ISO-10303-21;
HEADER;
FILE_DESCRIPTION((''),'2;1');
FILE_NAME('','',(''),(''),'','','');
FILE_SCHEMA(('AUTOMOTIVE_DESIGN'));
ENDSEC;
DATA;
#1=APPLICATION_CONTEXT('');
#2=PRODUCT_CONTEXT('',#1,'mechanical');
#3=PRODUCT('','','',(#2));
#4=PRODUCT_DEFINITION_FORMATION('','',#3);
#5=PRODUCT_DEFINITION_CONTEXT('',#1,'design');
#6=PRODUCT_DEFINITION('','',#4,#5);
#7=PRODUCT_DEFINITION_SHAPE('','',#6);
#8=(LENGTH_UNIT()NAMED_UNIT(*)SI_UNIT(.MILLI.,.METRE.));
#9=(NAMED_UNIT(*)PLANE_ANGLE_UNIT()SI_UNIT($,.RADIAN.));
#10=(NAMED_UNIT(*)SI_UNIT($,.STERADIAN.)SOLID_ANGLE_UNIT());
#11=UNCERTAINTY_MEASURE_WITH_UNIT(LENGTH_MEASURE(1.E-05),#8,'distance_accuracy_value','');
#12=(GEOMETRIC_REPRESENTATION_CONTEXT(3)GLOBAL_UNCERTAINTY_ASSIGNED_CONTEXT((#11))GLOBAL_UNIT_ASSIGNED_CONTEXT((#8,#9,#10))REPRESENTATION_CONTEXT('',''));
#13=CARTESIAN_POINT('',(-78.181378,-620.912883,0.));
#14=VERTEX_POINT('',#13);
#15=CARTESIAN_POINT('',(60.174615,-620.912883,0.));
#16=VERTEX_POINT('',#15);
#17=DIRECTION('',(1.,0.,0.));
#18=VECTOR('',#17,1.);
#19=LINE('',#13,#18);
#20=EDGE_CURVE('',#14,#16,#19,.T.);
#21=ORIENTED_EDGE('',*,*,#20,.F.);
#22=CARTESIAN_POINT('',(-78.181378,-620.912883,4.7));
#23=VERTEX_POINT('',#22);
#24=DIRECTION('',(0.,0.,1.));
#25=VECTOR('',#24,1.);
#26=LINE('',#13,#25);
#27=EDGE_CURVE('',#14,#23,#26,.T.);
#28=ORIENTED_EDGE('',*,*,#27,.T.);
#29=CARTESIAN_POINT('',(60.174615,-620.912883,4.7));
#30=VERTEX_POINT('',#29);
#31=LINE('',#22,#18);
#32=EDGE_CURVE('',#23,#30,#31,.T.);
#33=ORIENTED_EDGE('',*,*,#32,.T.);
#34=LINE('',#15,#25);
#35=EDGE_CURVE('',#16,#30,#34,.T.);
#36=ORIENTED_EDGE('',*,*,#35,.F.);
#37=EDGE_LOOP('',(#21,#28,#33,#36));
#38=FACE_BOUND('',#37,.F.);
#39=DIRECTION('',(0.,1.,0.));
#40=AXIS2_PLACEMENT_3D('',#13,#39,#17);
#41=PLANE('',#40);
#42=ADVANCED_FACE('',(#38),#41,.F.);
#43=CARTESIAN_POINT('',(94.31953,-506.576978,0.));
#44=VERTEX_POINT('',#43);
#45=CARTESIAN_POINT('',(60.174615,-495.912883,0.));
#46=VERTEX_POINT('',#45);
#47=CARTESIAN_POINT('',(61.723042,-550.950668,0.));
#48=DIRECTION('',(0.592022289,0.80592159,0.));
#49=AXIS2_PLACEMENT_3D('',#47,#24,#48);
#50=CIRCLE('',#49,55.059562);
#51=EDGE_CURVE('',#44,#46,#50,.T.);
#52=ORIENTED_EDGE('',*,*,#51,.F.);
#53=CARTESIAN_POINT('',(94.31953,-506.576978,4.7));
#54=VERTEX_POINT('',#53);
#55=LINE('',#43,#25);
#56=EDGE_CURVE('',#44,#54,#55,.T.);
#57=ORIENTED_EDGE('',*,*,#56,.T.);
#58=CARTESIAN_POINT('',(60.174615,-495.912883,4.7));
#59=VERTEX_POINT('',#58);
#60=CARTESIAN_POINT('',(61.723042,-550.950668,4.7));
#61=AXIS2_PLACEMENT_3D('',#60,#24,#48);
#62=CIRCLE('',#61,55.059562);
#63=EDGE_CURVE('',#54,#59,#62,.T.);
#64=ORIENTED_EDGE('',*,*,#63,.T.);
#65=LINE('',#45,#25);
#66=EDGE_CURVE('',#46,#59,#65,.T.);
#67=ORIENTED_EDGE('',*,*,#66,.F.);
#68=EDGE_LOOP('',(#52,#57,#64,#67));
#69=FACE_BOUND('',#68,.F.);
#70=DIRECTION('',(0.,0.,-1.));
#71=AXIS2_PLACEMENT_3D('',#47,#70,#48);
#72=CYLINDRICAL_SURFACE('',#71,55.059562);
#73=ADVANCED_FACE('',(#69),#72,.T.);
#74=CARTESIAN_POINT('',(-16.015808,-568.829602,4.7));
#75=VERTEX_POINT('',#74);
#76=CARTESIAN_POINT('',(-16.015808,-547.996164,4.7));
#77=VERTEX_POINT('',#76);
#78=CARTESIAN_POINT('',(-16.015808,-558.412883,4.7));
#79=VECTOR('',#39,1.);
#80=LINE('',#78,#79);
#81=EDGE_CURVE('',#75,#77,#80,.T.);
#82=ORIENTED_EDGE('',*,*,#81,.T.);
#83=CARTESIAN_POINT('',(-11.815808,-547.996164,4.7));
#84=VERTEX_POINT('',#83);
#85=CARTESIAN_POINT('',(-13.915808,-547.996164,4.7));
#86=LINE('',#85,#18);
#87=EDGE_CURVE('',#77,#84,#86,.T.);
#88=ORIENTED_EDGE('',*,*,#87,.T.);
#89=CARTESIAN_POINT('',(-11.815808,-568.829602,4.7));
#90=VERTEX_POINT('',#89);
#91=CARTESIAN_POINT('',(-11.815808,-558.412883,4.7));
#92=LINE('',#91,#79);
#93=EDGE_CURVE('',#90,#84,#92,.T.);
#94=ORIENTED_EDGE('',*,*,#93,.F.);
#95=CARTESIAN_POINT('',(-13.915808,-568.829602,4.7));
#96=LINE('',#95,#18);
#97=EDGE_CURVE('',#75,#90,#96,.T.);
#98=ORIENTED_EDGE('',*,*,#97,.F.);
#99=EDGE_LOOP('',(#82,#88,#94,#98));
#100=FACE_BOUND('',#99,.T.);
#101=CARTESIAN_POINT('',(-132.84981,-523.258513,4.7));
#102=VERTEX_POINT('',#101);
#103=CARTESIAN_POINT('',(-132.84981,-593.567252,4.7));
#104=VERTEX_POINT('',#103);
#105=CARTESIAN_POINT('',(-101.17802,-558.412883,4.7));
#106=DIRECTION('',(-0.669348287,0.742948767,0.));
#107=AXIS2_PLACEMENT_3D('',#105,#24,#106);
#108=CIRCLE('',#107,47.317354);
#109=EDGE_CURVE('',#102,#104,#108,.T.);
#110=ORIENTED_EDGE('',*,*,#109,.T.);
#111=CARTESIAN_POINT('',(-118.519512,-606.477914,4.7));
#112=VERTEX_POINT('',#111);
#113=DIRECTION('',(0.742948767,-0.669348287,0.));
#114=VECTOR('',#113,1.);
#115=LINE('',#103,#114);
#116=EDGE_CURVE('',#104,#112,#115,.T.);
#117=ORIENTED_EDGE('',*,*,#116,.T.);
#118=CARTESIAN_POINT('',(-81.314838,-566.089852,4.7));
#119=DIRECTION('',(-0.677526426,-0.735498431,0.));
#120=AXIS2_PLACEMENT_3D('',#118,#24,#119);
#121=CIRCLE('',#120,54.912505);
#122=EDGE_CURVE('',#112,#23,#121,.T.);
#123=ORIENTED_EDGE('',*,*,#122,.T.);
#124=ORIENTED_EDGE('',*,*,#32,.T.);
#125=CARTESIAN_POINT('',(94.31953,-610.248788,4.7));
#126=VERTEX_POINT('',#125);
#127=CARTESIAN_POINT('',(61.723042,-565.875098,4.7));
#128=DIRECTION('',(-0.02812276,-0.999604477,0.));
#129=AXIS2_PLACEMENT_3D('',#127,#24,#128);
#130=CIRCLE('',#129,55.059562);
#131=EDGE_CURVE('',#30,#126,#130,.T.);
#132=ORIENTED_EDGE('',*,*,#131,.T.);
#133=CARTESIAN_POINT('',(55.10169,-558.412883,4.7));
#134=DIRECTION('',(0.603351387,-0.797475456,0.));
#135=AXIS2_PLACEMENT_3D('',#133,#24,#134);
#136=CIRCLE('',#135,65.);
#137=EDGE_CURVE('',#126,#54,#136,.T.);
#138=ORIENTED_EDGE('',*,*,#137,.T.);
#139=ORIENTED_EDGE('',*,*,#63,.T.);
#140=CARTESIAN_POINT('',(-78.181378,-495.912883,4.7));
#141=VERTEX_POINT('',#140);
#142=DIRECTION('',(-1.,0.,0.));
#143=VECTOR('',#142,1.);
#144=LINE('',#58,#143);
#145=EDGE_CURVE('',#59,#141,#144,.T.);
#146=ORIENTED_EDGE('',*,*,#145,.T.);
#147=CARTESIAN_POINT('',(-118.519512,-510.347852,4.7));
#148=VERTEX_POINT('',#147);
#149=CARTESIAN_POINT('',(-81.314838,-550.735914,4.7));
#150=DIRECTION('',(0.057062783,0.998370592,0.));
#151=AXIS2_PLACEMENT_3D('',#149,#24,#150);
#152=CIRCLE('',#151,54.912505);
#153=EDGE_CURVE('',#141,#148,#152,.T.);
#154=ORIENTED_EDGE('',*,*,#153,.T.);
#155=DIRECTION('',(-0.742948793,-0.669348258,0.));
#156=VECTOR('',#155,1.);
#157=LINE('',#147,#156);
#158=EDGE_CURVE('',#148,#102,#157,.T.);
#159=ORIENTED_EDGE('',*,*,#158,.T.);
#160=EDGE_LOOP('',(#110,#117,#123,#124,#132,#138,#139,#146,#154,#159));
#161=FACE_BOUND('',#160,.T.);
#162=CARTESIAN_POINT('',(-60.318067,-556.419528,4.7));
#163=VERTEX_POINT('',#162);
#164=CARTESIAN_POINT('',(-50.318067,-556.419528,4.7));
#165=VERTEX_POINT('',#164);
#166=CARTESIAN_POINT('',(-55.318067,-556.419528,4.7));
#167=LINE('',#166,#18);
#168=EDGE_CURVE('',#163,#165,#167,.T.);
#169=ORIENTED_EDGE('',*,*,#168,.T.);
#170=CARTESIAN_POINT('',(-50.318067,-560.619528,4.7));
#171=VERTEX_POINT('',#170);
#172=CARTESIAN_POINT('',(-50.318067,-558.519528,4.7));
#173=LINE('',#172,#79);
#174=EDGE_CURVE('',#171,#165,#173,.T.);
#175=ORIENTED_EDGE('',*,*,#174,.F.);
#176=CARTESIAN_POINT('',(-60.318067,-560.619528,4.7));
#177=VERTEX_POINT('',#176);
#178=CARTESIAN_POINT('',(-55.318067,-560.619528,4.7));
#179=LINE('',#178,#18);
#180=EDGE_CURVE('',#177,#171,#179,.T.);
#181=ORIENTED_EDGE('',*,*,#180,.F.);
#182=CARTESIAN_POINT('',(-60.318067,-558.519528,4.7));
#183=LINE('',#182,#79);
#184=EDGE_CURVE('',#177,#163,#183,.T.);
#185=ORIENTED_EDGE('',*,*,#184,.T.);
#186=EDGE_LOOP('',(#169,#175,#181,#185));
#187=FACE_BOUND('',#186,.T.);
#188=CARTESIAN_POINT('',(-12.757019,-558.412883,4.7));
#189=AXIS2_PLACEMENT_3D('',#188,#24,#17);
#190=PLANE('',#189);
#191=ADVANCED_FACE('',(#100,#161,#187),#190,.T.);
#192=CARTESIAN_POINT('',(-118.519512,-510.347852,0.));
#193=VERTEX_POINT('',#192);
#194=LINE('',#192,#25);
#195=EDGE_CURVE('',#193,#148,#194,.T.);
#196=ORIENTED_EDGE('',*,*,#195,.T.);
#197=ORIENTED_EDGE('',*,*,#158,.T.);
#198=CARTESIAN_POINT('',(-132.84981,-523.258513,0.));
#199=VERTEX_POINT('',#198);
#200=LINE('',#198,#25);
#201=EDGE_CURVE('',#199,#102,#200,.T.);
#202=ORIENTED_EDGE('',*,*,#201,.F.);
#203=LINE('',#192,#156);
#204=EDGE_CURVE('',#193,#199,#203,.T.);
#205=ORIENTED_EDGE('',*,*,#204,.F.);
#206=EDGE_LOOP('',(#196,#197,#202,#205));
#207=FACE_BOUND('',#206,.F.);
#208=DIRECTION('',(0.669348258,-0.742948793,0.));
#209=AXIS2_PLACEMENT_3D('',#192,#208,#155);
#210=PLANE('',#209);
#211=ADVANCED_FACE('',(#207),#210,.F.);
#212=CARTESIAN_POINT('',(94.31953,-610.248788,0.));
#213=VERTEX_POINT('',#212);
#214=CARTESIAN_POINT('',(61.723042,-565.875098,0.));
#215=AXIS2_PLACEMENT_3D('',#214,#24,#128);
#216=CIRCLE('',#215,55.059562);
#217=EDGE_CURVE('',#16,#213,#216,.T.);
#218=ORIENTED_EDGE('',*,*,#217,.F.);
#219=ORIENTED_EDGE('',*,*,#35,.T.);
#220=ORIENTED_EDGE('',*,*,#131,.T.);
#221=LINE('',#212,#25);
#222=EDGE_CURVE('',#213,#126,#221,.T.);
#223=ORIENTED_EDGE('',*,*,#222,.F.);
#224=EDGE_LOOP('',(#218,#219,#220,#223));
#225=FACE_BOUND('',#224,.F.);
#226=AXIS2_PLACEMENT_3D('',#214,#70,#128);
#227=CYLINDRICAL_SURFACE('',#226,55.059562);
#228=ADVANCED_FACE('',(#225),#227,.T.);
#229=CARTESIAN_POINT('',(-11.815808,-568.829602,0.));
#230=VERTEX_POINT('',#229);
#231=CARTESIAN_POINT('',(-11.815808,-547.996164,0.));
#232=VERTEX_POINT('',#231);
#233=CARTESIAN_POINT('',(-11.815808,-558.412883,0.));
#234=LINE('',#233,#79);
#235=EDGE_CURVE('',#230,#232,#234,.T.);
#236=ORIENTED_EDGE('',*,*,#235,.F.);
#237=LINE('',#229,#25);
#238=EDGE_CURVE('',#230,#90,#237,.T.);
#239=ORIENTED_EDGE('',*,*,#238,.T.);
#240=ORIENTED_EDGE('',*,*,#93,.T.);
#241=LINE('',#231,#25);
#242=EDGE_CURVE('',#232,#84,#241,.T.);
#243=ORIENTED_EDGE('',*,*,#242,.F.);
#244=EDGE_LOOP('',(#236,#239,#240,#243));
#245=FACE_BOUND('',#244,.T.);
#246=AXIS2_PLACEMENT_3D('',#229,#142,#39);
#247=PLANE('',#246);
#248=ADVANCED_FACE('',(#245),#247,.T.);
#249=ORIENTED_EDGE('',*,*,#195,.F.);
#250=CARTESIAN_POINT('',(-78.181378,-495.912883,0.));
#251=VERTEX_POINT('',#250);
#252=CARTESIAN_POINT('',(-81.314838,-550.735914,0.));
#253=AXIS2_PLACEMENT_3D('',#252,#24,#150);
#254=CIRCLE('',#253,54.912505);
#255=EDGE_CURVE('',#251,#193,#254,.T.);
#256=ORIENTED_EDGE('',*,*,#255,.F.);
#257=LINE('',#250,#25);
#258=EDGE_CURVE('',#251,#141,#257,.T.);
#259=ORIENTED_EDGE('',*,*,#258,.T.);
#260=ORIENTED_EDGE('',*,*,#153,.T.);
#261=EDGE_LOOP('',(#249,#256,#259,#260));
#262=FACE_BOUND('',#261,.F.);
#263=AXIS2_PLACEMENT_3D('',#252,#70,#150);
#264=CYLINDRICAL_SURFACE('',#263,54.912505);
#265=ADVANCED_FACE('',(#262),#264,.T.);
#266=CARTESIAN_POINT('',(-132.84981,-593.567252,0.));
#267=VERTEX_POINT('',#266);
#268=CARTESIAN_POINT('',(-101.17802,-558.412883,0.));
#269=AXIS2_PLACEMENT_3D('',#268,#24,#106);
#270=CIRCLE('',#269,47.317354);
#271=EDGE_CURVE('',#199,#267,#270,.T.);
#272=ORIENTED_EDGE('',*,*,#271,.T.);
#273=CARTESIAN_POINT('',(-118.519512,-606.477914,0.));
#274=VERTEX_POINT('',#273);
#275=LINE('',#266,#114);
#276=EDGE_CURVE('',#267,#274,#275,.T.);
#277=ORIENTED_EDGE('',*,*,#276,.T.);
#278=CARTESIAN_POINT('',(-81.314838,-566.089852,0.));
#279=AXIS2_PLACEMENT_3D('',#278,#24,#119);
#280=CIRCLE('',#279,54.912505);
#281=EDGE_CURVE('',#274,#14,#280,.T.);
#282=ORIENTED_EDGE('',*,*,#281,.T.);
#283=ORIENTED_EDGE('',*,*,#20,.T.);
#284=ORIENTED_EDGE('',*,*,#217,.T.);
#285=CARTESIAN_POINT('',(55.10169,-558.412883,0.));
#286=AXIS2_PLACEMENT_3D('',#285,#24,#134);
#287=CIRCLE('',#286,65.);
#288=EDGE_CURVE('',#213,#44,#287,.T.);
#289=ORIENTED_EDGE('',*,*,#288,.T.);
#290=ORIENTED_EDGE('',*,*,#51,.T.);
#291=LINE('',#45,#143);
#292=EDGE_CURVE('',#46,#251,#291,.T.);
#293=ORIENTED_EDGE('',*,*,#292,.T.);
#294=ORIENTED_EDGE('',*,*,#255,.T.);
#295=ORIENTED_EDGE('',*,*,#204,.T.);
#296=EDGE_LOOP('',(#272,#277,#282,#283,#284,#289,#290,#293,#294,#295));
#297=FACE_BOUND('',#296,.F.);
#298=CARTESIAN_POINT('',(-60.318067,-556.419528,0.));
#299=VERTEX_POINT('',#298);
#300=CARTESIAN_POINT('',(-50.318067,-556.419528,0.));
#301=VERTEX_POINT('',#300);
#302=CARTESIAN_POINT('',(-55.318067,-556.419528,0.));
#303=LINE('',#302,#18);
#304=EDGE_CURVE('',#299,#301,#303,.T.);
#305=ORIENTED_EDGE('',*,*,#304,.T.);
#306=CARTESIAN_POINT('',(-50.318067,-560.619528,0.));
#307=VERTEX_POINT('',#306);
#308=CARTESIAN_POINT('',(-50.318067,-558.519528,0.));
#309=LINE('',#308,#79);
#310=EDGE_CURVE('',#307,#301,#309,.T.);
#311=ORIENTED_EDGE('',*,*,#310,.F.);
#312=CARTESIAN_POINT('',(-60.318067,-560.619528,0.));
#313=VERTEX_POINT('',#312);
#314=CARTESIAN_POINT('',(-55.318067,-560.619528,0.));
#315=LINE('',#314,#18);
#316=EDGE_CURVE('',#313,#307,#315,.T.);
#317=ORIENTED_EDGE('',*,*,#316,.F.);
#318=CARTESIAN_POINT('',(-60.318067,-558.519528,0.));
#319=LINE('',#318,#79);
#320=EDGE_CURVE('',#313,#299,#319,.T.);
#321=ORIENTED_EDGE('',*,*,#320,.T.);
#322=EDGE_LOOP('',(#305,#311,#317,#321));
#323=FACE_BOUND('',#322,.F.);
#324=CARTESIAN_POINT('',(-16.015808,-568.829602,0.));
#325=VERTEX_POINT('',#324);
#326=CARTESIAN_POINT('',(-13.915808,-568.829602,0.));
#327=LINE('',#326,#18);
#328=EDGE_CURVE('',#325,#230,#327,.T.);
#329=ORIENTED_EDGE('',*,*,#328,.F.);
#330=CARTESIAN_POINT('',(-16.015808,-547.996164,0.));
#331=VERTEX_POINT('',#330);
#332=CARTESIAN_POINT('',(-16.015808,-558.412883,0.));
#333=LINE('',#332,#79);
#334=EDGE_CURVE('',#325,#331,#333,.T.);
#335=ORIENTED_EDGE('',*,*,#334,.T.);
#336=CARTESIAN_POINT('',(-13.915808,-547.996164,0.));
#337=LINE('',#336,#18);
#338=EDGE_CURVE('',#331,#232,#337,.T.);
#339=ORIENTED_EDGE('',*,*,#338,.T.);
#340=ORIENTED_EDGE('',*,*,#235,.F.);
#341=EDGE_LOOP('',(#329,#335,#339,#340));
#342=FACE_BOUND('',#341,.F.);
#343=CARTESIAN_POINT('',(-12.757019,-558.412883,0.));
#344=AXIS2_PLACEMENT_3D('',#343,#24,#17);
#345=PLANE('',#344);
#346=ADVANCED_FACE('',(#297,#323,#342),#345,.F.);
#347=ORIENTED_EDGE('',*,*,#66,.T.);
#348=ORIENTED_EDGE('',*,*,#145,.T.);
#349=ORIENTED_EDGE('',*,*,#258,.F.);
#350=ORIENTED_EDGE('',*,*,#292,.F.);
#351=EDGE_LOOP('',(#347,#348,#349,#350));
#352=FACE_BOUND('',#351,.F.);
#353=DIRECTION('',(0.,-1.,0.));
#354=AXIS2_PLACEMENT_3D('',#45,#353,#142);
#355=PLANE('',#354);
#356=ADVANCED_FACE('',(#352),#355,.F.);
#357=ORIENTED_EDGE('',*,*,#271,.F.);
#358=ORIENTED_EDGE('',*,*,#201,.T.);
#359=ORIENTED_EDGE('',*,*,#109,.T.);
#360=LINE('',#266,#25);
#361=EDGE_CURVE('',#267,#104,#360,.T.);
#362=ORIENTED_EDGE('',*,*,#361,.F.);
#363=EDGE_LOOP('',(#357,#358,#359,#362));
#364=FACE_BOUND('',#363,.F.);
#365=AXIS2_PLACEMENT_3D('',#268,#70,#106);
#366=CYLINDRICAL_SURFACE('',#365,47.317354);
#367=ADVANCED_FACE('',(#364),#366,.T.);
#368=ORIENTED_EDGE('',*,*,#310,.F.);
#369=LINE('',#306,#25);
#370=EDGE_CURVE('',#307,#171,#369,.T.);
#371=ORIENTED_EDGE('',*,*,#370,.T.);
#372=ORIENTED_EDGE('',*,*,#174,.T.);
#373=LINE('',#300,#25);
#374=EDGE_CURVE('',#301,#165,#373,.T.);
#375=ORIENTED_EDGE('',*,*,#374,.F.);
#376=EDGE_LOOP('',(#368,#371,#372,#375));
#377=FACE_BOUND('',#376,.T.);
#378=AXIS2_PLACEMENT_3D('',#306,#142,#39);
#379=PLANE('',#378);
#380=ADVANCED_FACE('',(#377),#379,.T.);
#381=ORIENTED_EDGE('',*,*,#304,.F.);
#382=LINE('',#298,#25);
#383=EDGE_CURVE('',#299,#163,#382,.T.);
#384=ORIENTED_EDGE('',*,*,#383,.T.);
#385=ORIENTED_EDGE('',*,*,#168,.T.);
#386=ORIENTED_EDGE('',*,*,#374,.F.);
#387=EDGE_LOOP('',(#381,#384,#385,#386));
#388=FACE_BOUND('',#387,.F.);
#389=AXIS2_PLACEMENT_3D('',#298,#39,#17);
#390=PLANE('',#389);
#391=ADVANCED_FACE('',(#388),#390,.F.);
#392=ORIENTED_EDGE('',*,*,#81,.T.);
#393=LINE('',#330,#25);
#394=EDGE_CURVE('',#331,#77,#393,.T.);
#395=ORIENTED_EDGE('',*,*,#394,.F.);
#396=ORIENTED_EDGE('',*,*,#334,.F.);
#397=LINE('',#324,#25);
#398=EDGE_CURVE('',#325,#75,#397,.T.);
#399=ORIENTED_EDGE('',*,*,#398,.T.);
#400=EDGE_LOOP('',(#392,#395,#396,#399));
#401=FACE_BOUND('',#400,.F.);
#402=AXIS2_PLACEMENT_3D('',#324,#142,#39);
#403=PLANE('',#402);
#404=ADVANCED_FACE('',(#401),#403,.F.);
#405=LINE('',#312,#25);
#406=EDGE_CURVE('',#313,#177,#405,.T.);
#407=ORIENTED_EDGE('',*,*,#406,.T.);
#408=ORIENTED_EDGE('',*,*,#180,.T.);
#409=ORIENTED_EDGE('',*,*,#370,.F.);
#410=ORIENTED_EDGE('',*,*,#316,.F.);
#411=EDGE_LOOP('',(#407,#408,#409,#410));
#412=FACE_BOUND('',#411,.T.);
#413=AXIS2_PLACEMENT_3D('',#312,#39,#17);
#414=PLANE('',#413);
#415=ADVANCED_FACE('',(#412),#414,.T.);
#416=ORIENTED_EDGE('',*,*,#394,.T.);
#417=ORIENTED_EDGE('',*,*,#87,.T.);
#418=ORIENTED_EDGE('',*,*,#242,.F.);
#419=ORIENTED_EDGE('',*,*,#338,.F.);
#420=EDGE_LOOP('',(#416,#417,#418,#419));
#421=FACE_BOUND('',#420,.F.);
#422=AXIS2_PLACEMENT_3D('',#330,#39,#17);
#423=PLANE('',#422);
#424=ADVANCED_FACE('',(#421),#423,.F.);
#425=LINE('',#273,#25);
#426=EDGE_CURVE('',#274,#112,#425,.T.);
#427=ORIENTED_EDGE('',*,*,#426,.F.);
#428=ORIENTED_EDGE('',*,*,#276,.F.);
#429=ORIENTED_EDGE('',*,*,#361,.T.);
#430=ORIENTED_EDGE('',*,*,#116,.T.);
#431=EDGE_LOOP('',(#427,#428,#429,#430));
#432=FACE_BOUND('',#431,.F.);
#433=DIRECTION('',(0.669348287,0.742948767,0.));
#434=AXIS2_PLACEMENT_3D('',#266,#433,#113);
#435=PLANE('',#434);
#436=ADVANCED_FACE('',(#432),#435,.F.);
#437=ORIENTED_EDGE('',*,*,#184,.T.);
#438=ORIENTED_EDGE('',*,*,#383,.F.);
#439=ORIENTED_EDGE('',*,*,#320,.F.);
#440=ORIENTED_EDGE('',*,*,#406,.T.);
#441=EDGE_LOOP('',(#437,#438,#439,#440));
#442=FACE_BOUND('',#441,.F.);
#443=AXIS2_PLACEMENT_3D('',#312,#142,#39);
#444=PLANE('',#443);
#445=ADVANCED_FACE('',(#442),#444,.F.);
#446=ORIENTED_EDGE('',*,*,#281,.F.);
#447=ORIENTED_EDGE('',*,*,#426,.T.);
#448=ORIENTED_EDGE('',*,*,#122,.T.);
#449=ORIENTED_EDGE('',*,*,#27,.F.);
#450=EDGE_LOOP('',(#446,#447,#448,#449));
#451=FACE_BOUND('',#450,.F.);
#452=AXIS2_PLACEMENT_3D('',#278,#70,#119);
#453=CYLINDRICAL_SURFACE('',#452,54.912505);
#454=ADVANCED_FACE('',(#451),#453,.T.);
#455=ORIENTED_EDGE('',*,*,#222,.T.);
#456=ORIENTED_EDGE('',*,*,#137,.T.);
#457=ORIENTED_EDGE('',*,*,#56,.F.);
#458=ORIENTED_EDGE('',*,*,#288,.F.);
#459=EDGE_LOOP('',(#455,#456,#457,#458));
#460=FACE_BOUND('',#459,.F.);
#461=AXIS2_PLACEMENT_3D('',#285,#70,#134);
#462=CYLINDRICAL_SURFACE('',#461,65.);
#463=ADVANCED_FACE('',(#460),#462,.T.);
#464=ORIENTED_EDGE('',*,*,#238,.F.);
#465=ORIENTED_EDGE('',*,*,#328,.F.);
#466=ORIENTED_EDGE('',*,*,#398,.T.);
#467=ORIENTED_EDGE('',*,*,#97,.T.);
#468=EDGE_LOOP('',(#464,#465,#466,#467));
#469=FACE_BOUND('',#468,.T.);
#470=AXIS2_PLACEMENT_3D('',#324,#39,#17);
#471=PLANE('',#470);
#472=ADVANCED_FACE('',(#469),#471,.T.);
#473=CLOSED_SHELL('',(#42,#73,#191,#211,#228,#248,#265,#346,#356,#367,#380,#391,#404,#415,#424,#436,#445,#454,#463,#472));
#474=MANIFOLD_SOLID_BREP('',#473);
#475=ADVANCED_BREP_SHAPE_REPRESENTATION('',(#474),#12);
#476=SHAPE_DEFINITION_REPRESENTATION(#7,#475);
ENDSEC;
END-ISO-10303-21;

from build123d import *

# Parameters (mm, degrees)
F0_W     = 10
F0_H     = 4.2
F0_W_2   = 4.2
F0_H_2   = 20.833438
F1_DEPTH = 4.7


with BuildPart() as f1:
    # F0 (on Top) → F1 (new body)
    with BuildSketch(Plane.XY):
        with BuildLine():
            Line((60.174615, -495.912883), (-78.181378, -495.912883))
            ThreePointArc((-78.181378, -495.912883), (-99.816297, -499.034083), (-118.519512, -510.347852))
            Line((-118.519512, -510.347852), (-132.84981, -523.258513))
            ThreePointArc((-132.84981, -523.258513), (-148.495374, -558.412883), (-132.84981, -593.567252))
            Line((-132.84981, -593.567252), (-118.519512, -606.477914))
            ThreePointArc((-118.519512, -606.477914), (-99.816297, -617.791683), (-78.181378, -620.912883))
            Line((-78.181378, -620.912883), (60.174615, -620.912883))
            ThreePointArc((60.174615, -620.912883), (78.137251, -618.43106), (94.31953, -610.248788))
            ThreePointArc((94.31953, -610.248788), (120.10169, -558.412883), (94.31953, -506.576978))
            ThreePointArc((94.31953, -506.576978), (78.137251, -498.394706), (60.174615, -495.912883))
        make_face()
        with Locations((-55.318067, -558.519528)):
            Rectangle(F0_W, F0_H, mode=Mode.SUBTRACT)
        with Locations((-13.915808, -558.412883)):
            Rectangle(F0_W_2, F0_H_2, mode=Mode.SUBTRACT)
    extrude(amount=F1_DEPTH)


solid = f1.part
